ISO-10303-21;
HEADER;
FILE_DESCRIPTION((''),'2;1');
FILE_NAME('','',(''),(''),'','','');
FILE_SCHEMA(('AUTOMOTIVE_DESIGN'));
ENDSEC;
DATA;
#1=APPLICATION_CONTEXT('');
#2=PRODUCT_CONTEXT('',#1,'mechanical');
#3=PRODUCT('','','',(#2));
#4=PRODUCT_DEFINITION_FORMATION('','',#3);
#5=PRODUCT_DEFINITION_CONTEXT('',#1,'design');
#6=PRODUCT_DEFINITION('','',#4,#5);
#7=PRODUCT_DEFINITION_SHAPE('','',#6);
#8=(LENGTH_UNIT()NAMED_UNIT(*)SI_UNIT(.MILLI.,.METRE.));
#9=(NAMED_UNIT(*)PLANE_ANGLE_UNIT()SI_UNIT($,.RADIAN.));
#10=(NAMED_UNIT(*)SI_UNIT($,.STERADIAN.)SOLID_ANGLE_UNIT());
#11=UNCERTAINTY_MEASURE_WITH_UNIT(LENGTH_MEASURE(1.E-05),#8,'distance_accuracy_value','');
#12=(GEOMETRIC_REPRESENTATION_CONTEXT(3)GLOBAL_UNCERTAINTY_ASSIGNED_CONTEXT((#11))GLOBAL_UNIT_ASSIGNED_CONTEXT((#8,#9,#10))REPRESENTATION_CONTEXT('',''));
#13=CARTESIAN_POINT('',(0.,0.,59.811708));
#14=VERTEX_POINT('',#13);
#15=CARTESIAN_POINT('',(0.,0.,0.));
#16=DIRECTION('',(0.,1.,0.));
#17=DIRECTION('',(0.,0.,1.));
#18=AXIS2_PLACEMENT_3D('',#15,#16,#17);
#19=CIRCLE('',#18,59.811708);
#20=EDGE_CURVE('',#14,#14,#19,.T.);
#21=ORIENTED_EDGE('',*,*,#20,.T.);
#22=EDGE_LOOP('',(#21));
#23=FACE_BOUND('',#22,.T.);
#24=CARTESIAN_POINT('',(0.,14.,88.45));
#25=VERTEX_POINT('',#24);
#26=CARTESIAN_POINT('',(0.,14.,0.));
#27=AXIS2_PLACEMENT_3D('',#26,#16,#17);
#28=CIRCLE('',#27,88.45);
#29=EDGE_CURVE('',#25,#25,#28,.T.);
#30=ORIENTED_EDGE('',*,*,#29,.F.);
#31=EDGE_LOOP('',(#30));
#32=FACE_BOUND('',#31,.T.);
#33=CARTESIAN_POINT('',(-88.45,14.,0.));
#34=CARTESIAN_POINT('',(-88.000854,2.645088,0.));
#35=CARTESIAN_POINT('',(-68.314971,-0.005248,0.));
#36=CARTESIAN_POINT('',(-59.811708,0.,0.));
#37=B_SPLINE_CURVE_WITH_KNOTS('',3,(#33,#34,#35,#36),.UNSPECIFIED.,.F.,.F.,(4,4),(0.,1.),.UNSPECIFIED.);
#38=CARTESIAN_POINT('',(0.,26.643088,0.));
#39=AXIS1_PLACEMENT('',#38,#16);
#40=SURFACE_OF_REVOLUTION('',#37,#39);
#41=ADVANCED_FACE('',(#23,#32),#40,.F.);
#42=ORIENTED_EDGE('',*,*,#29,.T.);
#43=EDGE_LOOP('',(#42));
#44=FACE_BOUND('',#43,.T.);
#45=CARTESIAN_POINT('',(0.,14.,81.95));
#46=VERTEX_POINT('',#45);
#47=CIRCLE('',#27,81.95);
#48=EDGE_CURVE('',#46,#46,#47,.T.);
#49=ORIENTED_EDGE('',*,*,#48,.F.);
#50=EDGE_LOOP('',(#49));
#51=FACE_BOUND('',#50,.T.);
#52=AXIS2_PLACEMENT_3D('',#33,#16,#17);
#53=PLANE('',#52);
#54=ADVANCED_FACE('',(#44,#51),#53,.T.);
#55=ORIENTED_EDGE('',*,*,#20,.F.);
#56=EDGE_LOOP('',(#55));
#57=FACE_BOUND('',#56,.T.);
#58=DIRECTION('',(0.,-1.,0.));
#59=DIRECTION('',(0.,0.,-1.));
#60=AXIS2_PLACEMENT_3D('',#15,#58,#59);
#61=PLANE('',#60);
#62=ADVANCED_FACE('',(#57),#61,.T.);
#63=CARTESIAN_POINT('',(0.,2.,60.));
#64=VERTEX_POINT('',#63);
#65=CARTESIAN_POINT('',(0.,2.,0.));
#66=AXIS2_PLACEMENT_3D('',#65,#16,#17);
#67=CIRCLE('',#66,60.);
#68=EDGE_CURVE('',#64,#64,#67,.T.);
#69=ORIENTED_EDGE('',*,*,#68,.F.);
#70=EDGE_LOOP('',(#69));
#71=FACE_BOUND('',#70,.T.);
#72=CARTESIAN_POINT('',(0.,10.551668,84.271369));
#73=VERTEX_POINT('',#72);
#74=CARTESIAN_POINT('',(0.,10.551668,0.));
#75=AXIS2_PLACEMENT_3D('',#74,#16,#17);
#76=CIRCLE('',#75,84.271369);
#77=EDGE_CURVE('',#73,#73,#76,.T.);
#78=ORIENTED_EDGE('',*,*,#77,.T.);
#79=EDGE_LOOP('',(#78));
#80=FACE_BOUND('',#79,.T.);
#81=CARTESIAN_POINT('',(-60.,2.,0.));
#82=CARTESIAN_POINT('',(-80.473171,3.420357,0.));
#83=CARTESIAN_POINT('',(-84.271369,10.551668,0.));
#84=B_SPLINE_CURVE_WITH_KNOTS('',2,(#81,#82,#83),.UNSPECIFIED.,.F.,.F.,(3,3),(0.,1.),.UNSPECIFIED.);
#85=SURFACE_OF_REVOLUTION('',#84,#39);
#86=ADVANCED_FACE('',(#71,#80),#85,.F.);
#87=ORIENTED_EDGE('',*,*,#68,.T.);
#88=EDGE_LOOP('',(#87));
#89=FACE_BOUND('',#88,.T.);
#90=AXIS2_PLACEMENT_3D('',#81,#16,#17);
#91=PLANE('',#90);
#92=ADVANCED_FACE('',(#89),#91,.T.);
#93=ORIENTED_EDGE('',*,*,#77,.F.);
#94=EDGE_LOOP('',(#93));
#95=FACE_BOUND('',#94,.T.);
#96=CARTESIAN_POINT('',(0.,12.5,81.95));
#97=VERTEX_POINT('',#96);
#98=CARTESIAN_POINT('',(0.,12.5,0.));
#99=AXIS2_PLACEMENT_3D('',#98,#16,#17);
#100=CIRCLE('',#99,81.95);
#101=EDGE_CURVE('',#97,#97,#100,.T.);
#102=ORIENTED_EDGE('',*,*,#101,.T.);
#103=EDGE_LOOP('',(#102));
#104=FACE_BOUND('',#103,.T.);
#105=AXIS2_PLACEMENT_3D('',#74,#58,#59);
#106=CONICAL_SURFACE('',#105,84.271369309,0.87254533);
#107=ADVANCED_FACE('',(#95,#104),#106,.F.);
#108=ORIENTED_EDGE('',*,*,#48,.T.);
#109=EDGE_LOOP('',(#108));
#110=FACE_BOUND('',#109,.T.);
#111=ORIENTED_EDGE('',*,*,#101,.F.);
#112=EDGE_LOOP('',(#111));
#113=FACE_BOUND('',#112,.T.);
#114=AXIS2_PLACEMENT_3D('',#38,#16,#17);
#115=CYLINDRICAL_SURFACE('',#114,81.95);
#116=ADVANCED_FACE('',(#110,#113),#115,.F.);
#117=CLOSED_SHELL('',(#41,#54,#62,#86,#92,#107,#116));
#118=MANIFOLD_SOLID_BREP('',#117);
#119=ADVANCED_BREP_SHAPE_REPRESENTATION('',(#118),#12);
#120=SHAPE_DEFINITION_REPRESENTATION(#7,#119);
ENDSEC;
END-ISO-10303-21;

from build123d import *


with BuildPart() as part:
    # Body outline → Revolve body (revolve)
    with BuildSketch(Plane.XY, mode=Mode.PRIVATE) as revolve_body_sk:
        with BuildLine():
            Line((0, 0), (-59.811708017, 0))
            add(Edge.make_bspline(
                [(-59.811708017, 0), (-68.314971094, -0.00524792), (-88.000853814, 2.645087994), (-88.45, 14)],
                knots=[0, 0, 0, 0, 1, 1, 1, 1], degree=3))
            Line((-88.45, 14), (-81.95, 14))
            Line((-81.95, 14), (-81.95, 12.5))
            Line((-81.95, 12.5), (-84.271369309, 10.551667907))
            add(Edge.make_bspline(
                [(-60, 2), (-80.473170938, 3.42035668), (-84.271369309, 10.551667907)],
                knots=[0, 0, 0, 1, 1, 1], degree=2))
            Line((-60, 2), (0, 2))
            Line((0, 2), (0, 0))
        make_face()
    revolve(revolve_body_sk.sketch.rotate(Axis((0, 26.643087833, 0), (0, -1, 0)), 270), axis=Axis((0, 26.643087833, 0), (0, -1, 0)))


solid = part.part
